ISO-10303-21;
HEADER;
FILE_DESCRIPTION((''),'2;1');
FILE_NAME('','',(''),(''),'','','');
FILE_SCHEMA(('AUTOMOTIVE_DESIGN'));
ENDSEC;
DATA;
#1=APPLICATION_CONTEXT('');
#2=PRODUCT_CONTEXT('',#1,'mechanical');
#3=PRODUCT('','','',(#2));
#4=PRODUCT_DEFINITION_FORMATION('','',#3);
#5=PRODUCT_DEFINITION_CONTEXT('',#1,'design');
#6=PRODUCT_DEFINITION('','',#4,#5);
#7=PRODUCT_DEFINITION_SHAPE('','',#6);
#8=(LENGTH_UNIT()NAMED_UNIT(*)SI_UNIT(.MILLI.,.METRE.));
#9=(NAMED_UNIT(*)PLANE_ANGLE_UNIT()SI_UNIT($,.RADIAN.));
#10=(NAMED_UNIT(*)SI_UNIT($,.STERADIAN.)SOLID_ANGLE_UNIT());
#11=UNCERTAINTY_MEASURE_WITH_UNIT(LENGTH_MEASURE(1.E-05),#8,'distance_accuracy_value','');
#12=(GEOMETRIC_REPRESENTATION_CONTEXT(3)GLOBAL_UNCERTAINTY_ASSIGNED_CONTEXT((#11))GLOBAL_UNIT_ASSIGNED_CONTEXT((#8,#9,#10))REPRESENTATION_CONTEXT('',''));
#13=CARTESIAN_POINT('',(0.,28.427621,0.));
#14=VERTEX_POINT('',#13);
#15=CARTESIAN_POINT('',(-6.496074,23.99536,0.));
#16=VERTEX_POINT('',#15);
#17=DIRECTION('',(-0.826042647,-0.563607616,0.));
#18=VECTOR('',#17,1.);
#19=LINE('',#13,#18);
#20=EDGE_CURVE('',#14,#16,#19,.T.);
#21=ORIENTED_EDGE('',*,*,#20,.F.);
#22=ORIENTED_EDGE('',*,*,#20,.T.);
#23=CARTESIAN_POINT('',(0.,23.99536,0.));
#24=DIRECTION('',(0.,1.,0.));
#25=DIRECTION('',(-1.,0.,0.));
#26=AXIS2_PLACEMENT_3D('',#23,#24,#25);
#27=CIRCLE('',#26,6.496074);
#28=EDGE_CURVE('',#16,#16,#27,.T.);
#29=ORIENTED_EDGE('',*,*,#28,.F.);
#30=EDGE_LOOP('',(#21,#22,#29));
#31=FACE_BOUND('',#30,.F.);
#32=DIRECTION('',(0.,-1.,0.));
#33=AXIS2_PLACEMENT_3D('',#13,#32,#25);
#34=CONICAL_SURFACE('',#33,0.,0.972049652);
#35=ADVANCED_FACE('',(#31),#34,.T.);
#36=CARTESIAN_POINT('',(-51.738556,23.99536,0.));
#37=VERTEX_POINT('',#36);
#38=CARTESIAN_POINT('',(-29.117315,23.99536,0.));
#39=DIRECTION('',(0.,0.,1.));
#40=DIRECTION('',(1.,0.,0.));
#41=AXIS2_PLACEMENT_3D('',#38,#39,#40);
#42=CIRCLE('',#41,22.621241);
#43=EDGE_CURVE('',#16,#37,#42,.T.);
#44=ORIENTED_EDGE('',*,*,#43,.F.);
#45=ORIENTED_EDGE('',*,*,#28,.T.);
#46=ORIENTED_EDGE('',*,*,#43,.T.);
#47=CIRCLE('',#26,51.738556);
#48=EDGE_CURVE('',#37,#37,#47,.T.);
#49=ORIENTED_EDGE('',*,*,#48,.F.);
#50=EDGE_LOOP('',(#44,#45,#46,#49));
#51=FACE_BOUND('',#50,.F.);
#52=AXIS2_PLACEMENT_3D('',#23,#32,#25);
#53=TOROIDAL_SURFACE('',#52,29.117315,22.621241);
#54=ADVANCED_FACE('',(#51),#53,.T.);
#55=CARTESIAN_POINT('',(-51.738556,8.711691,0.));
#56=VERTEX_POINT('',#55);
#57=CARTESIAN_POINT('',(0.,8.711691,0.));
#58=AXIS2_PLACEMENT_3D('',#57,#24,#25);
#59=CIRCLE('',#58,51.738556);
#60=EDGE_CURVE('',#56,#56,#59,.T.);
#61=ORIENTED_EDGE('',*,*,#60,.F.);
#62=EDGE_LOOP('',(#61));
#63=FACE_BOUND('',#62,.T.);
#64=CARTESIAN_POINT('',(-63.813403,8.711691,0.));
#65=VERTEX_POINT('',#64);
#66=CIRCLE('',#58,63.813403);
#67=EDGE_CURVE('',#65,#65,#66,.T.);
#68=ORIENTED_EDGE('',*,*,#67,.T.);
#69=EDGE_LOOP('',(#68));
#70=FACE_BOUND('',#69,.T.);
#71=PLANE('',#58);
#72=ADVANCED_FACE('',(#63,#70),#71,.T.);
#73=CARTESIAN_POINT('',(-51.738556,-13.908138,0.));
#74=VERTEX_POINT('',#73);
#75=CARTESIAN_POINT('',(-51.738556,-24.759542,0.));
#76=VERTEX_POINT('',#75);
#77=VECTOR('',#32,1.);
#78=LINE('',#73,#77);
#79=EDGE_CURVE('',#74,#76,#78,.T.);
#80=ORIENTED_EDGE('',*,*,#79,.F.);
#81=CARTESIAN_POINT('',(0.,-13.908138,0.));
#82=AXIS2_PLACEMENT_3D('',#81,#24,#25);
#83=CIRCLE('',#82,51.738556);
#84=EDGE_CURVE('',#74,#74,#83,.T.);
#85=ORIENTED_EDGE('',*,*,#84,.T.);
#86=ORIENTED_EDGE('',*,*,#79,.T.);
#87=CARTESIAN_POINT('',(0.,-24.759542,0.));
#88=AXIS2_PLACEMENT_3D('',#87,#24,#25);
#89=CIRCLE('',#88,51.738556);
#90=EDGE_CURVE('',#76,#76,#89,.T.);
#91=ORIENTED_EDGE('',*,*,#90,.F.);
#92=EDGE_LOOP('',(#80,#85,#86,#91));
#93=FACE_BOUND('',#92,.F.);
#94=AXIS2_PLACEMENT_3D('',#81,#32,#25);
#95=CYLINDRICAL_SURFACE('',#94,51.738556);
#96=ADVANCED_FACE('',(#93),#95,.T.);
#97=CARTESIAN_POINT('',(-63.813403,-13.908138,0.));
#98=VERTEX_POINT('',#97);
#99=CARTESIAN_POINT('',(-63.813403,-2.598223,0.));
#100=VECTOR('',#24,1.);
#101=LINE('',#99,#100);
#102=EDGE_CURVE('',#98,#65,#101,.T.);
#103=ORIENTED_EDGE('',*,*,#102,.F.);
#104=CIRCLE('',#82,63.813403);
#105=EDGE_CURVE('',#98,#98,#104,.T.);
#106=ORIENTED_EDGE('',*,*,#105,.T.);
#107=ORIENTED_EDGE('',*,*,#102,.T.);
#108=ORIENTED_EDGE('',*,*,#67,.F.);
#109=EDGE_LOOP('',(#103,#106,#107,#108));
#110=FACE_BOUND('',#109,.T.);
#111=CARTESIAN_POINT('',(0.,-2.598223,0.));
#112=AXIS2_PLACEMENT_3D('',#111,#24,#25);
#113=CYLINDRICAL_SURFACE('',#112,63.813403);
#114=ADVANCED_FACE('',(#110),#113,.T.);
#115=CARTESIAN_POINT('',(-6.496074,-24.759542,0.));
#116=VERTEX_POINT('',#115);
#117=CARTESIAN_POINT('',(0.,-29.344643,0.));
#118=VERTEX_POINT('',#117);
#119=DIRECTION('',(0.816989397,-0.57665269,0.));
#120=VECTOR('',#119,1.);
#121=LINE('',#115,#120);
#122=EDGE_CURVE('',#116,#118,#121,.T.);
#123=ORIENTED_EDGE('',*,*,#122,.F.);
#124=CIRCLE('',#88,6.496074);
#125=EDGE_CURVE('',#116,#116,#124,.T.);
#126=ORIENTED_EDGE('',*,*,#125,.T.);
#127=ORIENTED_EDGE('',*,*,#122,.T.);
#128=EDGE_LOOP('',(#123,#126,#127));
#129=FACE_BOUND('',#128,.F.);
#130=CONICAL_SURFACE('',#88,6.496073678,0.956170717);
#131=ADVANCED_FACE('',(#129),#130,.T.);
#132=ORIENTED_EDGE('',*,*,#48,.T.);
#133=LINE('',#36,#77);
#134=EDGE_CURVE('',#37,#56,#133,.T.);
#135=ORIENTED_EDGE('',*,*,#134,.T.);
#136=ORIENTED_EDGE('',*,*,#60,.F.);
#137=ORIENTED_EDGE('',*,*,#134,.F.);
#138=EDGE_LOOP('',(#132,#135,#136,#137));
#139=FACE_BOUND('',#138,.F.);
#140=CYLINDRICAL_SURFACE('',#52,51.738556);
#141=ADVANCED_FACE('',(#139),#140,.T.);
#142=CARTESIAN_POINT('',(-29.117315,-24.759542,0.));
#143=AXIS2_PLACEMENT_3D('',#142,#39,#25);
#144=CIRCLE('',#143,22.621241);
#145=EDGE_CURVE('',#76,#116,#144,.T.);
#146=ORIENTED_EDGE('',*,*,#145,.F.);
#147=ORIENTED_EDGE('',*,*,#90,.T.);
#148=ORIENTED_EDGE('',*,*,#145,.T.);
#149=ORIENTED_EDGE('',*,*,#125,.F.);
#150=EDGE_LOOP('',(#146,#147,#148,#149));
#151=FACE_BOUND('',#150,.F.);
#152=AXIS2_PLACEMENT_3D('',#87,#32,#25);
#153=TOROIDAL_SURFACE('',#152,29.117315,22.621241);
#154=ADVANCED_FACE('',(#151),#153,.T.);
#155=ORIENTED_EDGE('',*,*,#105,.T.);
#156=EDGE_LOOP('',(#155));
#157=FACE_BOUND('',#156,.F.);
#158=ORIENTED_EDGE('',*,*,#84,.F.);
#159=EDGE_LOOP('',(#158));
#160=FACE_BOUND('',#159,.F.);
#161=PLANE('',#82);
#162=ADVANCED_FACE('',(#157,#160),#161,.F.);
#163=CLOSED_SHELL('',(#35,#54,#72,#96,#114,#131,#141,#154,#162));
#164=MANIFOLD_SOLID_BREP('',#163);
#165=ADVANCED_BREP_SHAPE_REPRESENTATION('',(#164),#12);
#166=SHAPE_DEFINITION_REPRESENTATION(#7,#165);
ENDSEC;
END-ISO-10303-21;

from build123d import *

# Parameters (mm, degrees)
F0_W = 12.0748467743
F0_H = 22.6198285818


with BuildPart() as f1:
    # F0 (on Top) → F1 (revolve)
    with BuildSketch(Plane.XY):
        with BuildLine():
            ThreePointArc((-51.7385564744, -24.759542197), (-29.1173150763, -47.3807835951), (-6.4960736781, -24.759542197))
            Line((-6.4960736781, -24.759542197), (-51.7385564744, -24.759542197))
        make_face()
        with BuildLine():
            Line((-51.7385564744, 23.9953603595), (-6.4960736781, 23.9953603595))
            ThreePointArc((-6.4960736781, 23.9953603595), (-29.1173150763, 46.6166017577), (-51.7385564744, 23.9953603595))
        make_face()
        Polygon((-6.4960736781, 23.9953603595), (-6.4960736781, -24.759542197), (0, -29.3446425349), (0, 28.4276213497), align=None)
        with Locations((-57.7759798616, -2.5982232764)):
            Rectangle(F0_W, F0_H)
        Polygon((-51.7385564744, -24.759542197), (-6.4960736781, -24.759542197), (-6.4960736781, 23.9953603595), (-51.7385564744, 23.9953603595), (-51.7385564744, 8.7116910145), (-51.7385564744, -13.9081375673), align=None)
    revolve(axis=Axis((0, -0.4585105926, 0), (0, 1, 0)))


solid = f1.part
